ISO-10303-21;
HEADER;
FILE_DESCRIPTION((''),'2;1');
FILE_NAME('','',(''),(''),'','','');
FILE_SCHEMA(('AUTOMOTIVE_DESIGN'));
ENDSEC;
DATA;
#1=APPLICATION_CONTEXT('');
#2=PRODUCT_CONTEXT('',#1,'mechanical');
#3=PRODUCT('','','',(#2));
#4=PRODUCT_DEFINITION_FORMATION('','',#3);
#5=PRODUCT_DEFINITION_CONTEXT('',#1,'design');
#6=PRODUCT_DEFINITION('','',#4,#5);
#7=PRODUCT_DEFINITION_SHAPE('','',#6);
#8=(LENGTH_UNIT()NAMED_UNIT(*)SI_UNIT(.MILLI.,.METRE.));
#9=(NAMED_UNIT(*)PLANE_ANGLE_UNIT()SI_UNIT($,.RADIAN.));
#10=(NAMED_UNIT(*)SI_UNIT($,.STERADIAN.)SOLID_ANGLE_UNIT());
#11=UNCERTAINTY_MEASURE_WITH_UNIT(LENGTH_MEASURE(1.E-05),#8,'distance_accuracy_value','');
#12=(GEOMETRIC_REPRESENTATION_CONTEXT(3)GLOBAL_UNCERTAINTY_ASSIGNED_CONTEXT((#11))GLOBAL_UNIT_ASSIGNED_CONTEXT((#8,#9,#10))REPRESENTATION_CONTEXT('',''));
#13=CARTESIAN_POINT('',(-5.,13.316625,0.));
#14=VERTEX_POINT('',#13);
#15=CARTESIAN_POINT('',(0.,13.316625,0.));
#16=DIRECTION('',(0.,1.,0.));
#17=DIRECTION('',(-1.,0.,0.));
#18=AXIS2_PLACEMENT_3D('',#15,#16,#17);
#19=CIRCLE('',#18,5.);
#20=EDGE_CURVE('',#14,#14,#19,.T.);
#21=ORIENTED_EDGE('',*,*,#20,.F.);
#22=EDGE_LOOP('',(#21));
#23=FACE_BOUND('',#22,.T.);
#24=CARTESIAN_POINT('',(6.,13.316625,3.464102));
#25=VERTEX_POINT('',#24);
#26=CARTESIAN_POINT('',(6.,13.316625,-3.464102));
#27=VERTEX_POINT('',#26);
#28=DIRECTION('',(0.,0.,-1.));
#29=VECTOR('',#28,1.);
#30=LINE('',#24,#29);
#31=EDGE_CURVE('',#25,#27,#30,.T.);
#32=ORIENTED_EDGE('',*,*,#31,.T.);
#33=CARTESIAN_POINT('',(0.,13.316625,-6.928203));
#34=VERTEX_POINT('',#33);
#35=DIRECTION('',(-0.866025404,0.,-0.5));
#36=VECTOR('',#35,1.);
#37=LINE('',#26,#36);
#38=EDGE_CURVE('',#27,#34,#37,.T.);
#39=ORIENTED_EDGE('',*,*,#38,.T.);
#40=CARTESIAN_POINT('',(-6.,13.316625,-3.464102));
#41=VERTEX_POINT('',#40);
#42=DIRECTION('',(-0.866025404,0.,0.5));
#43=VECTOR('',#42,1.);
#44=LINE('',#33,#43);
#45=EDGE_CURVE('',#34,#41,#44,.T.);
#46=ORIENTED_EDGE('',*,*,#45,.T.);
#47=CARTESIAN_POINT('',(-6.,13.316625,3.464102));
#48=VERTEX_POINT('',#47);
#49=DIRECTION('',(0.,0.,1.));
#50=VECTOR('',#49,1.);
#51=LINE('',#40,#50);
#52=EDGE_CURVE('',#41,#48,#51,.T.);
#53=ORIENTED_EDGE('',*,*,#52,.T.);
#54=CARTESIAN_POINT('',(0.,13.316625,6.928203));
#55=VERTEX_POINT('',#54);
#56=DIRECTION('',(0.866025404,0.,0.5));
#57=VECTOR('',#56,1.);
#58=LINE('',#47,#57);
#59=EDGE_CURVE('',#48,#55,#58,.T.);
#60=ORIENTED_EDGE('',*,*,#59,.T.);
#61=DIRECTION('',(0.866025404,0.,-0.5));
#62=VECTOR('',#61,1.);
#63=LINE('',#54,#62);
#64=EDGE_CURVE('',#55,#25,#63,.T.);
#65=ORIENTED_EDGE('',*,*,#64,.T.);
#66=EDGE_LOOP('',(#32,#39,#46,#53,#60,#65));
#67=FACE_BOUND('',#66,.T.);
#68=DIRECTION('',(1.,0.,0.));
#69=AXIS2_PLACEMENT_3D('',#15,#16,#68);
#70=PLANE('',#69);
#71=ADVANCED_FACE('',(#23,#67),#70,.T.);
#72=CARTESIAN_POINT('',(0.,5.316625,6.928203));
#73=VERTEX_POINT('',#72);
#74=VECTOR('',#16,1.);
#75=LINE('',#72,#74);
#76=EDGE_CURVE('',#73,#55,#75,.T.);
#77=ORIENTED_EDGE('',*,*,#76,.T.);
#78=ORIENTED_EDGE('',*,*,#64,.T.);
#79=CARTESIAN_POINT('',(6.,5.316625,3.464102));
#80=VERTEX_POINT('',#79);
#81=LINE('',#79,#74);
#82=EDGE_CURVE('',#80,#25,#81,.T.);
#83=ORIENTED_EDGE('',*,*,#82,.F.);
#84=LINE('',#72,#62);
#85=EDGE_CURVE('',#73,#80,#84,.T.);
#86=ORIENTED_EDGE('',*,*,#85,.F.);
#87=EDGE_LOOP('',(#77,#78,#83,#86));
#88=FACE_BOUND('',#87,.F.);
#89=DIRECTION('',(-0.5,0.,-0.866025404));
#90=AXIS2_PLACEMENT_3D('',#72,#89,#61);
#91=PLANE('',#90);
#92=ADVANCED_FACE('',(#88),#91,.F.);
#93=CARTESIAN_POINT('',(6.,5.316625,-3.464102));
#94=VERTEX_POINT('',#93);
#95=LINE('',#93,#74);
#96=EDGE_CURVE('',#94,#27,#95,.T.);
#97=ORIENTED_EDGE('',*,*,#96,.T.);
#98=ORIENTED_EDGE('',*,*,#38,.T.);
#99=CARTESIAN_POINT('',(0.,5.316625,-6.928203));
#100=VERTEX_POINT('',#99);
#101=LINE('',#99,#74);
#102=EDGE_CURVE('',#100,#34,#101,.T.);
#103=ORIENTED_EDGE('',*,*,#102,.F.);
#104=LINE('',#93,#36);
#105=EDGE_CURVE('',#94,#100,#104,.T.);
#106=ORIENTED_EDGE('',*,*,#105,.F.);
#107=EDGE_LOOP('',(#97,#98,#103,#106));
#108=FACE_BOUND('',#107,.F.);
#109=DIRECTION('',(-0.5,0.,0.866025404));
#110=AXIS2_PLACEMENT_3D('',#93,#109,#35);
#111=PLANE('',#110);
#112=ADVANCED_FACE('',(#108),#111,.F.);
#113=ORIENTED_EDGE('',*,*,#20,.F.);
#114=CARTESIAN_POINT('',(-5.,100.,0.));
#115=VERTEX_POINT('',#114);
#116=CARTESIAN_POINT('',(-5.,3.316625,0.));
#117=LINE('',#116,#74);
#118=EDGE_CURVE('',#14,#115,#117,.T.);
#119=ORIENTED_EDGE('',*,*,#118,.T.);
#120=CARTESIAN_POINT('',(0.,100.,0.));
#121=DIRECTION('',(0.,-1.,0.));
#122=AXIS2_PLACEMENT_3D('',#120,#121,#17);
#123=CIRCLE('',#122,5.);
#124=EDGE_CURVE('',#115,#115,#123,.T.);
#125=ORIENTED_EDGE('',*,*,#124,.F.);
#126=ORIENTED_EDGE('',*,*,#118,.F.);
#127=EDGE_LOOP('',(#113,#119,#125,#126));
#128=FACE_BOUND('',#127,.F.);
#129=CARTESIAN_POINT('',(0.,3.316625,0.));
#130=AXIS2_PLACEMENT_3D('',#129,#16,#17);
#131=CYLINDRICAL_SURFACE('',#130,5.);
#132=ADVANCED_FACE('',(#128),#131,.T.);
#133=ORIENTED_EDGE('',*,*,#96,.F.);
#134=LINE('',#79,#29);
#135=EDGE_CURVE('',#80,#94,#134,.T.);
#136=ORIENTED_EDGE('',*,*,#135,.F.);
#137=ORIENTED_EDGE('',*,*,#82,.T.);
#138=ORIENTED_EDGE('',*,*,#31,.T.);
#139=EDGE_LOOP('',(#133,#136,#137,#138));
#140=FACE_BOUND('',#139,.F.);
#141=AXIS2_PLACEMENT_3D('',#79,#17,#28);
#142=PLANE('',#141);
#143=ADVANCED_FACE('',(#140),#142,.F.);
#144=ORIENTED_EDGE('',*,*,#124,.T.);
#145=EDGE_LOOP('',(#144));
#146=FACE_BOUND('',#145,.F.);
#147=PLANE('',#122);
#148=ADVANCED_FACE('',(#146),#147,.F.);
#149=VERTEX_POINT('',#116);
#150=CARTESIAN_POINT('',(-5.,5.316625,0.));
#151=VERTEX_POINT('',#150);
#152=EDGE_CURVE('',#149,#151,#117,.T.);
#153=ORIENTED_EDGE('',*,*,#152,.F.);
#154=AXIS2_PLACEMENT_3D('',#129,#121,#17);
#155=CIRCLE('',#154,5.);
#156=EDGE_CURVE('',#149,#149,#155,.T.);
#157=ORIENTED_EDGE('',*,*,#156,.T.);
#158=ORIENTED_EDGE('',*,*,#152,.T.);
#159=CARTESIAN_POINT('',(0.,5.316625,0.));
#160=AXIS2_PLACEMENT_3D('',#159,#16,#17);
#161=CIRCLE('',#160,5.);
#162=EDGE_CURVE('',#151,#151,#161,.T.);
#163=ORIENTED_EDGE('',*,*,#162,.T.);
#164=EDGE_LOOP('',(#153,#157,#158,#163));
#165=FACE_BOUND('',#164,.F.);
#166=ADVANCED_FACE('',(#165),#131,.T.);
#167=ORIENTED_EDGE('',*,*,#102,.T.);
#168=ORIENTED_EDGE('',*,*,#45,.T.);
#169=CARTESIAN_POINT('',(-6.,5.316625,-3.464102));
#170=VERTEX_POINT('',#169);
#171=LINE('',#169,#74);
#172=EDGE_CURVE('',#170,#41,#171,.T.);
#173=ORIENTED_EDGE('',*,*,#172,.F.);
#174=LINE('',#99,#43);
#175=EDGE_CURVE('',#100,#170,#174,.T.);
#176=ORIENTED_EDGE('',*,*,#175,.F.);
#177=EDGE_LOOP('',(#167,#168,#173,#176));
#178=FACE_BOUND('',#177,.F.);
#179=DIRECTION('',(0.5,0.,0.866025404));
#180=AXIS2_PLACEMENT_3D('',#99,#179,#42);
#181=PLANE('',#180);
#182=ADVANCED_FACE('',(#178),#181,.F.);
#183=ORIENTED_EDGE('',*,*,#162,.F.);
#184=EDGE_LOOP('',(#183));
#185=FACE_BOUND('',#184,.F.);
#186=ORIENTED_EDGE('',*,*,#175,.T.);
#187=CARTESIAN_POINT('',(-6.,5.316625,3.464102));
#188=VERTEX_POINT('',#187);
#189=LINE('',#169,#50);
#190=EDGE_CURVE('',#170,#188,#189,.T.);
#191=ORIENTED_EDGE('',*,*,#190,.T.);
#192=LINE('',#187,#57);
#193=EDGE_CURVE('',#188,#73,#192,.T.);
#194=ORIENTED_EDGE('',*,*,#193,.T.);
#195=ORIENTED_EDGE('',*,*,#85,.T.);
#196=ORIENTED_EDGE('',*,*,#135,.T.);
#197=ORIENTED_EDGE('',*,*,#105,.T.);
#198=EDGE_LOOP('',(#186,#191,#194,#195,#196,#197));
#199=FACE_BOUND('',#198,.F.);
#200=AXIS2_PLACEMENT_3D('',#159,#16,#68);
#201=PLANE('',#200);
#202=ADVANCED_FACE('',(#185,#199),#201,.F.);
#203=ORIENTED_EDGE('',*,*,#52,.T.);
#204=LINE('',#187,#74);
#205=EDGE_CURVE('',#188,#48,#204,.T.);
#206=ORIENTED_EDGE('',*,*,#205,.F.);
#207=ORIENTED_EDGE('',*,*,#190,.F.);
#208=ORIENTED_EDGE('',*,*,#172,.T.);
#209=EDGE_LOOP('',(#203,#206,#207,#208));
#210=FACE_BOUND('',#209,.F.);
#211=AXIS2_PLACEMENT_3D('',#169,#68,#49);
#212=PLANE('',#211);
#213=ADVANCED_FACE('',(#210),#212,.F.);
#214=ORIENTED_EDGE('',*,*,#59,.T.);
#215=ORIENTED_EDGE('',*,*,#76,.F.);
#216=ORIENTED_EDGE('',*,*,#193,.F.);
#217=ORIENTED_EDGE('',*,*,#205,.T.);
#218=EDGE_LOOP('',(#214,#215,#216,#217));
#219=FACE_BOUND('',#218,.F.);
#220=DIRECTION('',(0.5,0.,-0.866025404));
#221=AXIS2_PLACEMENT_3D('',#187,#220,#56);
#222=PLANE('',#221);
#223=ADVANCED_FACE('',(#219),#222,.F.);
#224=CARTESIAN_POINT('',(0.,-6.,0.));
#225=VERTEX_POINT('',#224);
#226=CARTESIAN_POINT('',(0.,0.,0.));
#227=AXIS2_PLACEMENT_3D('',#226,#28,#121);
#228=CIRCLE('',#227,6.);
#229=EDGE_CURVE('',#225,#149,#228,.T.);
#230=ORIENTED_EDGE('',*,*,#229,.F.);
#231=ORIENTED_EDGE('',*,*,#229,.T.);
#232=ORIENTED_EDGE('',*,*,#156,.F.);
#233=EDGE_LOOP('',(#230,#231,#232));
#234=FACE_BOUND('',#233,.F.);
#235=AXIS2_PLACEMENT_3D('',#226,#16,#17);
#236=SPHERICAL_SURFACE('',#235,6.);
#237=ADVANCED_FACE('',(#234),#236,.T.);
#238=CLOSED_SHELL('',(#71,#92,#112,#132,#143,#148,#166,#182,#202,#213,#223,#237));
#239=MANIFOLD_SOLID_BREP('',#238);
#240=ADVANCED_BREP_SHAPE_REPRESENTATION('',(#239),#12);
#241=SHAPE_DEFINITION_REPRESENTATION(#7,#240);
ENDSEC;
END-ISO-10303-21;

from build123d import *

# Parameters (mm, degrees)
BOSS_EXTRUDE3_DEPTH = 8


with BuildPart() as part:
    # Sketch1 → Revolve1 (revolve)
    with BuildSketch(Plane.XY):
        with BuildLine():
            Line((-5, 3.31662479), (-5, 100))
            Line((-5, 100), (0, 100))
            Line((0, 100), (0, -6))
            ThreePointArc((0, -6), (-5.286764074, -2.837274331), (-5, 3.31662479))
        make_face()
    revolve(axis=Axis((0, 109.494581108, 0), (0, -1, 0)))

    # Sketch4 → Boss-Extrude3 (add)
    with BuildSketch(Plane(origin=(0, 5.31662479, 0), x_dir=(1, 0, 0), z_dir=(0, 1, 0))):
        Polygon((0, 6.92820323), (-6, 3.464101615), (-6, -3.464101615), (0, -6.92820323), (6, -3.464101615), (6, 3.464101615), align=None)
    extrude(amount=BOSS_EXTRUDE3_DEPTH)


solid = part.part
